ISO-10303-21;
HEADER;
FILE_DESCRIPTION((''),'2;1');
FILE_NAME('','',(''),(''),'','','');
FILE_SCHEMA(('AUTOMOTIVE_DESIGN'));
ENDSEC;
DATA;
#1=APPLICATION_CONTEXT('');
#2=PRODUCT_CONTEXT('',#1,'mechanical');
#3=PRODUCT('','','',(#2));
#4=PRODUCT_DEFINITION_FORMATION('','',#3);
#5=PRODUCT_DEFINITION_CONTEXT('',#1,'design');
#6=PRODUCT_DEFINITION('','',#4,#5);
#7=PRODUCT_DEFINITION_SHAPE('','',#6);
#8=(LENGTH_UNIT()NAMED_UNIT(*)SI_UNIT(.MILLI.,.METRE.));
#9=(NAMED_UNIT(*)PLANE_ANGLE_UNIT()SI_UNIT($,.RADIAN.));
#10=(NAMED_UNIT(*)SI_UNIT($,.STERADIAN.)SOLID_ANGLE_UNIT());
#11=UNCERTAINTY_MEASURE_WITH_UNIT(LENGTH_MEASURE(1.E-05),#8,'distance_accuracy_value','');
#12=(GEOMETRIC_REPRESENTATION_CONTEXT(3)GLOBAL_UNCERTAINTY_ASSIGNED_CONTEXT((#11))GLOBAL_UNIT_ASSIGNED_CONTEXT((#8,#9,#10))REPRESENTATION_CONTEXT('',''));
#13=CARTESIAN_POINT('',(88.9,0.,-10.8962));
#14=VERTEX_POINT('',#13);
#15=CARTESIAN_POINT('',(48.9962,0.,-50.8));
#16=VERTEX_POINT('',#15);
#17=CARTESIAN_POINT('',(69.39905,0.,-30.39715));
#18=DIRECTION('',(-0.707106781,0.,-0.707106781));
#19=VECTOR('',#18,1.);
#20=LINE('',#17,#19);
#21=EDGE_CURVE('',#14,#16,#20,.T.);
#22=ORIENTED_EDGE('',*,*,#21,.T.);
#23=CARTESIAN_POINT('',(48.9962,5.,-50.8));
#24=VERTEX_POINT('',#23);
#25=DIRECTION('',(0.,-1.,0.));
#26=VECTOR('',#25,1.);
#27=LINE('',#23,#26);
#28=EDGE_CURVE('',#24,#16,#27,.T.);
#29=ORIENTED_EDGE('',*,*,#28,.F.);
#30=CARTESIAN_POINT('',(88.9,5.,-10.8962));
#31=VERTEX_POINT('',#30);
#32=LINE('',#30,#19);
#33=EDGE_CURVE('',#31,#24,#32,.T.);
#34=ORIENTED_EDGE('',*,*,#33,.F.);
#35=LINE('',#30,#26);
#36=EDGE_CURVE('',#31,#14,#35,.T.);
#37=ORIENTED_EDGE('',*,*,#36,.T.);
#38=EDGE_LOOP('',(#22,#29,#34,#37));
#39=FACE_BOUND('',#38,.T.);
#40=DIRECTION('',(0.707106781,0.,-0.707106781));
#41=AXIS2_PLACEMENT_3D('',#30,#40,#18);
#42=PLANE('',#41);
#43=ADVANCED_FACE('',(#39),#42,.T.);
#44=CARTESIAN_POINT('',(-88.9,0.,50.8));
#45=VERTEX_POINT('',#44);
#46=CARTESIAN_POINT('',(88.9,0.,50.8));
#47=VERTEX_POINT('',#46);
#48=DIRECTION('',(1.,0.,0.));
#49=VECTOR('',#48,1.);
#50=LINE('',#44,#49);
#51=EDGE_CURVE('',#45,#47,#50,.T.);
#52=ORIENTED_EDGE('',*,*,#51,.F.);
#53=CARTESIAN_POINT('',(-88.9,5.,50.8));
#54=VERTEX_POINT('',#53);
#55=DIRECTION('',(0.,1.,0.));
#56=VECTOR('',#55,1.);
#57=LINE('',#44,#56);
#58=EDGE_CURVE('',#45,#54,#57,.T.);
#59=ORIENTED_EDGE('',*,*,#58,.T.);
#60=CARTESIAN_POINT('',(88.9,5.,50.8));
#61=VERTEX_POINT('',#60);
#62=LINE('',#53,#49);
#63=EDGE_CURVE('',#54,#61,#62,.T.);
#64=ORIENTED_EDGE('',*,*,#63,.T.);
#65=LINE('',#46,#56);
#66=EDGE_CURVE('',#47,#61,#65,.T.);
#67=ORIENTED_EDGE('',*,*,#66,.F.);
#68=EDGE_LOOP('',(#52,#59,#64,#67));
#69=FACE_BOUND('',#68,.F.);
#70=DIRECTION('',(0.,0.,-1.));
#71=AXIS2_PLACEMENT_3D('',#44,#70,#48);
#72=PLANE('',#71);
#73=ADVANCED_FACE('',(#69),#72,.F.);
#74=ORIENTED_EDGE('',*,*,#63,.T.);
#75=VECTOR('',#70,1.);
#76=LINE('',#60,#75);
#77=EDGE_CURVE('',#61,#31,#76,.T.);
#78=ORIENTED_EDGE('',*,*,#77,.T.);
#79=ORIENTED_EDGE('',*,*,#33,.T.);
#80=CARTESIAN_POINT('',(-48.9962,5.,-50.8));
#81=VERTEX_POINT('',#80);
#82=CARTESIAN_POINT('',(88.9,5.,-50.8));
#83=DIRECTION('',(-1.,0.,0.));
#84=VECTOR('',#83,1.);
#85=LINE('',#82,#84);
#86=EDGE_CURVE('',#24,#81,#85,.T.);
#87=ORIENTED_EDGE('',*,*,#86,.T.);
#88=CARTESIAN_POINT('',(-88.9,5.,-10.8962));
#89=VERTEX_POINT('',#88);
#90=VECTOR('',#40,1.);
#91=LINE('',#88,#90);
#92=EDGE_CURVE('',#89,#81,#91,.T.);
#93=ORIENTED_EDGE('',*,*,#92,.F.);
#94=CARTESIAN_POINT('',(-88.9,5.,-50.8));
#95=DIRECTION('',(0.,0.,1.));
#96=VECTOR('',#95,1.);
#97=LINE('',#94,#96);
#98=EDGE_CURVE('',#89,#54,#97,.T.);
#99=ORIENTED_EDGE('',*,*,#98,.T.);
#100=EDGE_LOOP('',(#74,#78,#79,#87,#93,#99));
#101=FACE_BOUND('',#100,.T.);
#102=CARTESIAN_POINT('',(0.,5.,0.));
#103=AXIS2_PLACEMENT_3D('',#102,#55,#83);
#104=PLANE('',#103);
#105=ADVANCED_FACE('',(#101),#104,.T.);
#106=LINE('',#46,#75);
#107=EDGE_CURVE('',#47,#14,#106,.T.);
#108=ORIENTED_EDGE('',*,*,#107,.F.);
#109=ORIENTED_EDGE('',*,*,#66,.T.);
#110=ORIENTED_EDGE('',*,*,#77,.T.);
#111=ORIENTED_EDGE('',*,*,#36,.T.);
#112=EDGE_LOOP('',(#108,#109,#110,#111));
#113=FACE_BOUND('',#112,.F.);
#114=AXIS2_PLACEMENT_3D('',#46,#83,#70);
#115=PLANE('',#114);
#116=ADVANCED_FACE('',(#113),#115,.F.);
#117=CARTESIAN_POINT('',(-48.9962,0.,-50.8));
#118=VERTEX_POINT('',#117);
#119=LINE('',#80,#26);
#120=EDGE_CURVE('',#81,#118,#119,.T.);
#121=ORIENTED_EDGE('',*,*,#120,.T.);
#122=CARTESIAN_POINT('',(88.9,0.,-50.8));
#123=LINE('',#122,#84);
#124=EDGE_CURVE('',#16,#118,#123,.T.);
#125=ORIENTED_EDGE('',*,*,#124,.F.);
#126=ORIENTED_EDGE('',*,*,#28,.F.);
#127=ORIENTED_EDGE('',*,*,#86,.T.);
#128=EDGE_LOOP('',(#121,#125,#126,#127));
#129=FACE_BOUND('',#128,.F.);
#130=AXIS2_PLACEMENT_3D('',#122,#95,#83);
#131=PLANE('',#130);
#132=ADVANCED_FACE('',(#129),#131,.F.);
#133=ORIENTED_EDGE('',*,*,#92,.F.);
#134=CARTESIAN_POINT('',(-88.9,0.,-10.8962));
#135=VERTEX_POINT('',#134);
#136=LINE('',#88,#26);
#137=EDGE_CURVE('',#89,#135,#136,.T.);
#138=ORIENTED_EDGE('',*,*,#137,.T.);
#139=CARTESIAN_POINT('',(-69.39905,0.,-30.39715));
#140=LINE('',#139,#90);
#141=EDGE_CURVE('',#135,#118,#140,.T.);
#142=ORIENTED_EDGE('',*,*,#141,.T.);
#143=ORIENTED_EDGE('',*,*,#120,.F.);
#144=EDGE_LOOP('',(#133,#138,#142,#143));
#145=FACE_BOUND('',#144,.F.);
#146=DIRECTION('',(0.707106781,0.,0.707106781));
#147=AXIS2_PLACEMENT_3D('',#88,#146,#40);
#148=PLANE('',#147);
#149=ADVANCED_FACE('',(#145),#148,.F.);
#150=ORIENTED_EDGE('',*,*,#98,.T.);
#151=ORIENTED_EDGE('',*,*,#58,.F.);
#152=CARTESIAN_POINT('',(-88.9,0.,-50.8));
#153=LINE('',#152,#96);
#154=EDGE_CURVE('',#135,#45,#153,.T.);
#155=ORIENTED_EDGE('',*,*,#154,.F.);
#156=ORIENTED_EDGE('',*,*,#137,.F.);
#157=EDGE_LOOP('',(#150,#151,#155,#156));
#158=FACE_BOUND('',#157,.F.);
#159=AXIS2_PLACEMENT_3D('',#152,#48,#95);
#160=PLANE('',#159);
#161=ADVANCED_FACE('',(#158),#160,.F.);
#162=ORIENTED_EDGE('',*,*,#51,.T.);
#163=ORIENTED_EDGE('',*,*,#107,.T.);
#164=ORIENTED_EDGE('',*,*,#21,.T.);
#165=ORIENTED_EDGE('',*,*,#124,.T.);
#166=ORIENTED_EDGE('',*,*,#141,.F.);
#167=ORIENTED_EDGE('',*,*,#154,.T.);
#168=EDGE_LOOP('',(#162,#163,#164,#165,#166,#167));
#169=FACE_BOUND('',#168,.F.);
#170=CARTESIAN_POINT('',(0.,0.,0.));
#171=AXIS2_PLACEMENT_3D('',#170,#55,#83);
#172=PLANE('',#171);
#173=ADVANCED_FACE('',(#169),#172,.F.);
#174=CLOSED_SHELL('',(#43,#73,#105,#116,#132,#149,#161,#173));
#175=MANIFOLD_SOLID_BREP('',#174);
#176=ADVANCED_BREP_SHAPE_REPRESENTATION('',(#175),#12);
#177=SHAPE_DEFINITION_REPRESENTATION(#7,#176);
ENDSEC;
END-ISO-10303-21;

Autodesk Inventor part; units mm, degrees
ref_plane "YZ Plane" through (0, 0, 0) normal (1, 0, 0) x (0, 1, 0)
ref_plane "XZ Plane" through (0, 0, 0) normal (0, 1, 0) x (-1, 0, 0)
ref_plane "XY Plane" through (0, 0, 0) normal (0, 0, 1) x (1, 0, 0)
sketch "Sketch1" plane through (0, 0, 0) normal (0, 1, 0) x (-1, 0, 0)
  line L0 (88.9, 50.8) -> (-88.9, 50.8)
  line L1 (-88.9, 50.8) -> (-88.9, -50.8)
  line L2 (-88.9, -50.8) -> (88.9, -50.8)
  line L3 (88.9, -50.8) -> (88.9, 50.8)
  line L4 (88.9, 50.8) -> (-88.9, -50.8) construction
  line L5 (-88.9, 50.8) -> (88.9, -50.8) construction
  point P0 (0, 0)
  dimension "d0" = 177.8
  dimension "d1" = 101.6
extrude "Extrusion1" add sketch "Sketch1" along normal blind 5
sketch "Sketch2" plane through (0, 5, 0) normal (0, 1, 0) x (1, 0, 0)
  line L0 (-88.9, -50.8) -> (88.9, -50.8) projected
  line L1 (0, -50.8) -> (0, 50.8) construction
  line L2 (88.9, 50.8) -> (-88.9, 50.8) projected
  line L3 (-88.9, 50.8) -> (-88.9, -50.8) projected
  line L4 (-88.9, 10.8962) -> (-48.9962, 50.8)
  line L5 (-88.9, 10.8962) -> (-32.4675, 10.8962) construction
  line L6 (88.9, 10.8962) -> (48.9962, 50.8)
  line L7 (-48.9962, 50.8) -> (48.9962, 50.8)
  line L8 (88.9, -50.8) -> (88.9, 50.8) projected
  point P0 (0, 0)
  dimension "d4" = 45
extrude "Extrusion2" cut sketch "Sketch2" against normal blind 11.35 contours L3 L2 L4 | L6 L2 L8
properties part number "Footrest_v2"
